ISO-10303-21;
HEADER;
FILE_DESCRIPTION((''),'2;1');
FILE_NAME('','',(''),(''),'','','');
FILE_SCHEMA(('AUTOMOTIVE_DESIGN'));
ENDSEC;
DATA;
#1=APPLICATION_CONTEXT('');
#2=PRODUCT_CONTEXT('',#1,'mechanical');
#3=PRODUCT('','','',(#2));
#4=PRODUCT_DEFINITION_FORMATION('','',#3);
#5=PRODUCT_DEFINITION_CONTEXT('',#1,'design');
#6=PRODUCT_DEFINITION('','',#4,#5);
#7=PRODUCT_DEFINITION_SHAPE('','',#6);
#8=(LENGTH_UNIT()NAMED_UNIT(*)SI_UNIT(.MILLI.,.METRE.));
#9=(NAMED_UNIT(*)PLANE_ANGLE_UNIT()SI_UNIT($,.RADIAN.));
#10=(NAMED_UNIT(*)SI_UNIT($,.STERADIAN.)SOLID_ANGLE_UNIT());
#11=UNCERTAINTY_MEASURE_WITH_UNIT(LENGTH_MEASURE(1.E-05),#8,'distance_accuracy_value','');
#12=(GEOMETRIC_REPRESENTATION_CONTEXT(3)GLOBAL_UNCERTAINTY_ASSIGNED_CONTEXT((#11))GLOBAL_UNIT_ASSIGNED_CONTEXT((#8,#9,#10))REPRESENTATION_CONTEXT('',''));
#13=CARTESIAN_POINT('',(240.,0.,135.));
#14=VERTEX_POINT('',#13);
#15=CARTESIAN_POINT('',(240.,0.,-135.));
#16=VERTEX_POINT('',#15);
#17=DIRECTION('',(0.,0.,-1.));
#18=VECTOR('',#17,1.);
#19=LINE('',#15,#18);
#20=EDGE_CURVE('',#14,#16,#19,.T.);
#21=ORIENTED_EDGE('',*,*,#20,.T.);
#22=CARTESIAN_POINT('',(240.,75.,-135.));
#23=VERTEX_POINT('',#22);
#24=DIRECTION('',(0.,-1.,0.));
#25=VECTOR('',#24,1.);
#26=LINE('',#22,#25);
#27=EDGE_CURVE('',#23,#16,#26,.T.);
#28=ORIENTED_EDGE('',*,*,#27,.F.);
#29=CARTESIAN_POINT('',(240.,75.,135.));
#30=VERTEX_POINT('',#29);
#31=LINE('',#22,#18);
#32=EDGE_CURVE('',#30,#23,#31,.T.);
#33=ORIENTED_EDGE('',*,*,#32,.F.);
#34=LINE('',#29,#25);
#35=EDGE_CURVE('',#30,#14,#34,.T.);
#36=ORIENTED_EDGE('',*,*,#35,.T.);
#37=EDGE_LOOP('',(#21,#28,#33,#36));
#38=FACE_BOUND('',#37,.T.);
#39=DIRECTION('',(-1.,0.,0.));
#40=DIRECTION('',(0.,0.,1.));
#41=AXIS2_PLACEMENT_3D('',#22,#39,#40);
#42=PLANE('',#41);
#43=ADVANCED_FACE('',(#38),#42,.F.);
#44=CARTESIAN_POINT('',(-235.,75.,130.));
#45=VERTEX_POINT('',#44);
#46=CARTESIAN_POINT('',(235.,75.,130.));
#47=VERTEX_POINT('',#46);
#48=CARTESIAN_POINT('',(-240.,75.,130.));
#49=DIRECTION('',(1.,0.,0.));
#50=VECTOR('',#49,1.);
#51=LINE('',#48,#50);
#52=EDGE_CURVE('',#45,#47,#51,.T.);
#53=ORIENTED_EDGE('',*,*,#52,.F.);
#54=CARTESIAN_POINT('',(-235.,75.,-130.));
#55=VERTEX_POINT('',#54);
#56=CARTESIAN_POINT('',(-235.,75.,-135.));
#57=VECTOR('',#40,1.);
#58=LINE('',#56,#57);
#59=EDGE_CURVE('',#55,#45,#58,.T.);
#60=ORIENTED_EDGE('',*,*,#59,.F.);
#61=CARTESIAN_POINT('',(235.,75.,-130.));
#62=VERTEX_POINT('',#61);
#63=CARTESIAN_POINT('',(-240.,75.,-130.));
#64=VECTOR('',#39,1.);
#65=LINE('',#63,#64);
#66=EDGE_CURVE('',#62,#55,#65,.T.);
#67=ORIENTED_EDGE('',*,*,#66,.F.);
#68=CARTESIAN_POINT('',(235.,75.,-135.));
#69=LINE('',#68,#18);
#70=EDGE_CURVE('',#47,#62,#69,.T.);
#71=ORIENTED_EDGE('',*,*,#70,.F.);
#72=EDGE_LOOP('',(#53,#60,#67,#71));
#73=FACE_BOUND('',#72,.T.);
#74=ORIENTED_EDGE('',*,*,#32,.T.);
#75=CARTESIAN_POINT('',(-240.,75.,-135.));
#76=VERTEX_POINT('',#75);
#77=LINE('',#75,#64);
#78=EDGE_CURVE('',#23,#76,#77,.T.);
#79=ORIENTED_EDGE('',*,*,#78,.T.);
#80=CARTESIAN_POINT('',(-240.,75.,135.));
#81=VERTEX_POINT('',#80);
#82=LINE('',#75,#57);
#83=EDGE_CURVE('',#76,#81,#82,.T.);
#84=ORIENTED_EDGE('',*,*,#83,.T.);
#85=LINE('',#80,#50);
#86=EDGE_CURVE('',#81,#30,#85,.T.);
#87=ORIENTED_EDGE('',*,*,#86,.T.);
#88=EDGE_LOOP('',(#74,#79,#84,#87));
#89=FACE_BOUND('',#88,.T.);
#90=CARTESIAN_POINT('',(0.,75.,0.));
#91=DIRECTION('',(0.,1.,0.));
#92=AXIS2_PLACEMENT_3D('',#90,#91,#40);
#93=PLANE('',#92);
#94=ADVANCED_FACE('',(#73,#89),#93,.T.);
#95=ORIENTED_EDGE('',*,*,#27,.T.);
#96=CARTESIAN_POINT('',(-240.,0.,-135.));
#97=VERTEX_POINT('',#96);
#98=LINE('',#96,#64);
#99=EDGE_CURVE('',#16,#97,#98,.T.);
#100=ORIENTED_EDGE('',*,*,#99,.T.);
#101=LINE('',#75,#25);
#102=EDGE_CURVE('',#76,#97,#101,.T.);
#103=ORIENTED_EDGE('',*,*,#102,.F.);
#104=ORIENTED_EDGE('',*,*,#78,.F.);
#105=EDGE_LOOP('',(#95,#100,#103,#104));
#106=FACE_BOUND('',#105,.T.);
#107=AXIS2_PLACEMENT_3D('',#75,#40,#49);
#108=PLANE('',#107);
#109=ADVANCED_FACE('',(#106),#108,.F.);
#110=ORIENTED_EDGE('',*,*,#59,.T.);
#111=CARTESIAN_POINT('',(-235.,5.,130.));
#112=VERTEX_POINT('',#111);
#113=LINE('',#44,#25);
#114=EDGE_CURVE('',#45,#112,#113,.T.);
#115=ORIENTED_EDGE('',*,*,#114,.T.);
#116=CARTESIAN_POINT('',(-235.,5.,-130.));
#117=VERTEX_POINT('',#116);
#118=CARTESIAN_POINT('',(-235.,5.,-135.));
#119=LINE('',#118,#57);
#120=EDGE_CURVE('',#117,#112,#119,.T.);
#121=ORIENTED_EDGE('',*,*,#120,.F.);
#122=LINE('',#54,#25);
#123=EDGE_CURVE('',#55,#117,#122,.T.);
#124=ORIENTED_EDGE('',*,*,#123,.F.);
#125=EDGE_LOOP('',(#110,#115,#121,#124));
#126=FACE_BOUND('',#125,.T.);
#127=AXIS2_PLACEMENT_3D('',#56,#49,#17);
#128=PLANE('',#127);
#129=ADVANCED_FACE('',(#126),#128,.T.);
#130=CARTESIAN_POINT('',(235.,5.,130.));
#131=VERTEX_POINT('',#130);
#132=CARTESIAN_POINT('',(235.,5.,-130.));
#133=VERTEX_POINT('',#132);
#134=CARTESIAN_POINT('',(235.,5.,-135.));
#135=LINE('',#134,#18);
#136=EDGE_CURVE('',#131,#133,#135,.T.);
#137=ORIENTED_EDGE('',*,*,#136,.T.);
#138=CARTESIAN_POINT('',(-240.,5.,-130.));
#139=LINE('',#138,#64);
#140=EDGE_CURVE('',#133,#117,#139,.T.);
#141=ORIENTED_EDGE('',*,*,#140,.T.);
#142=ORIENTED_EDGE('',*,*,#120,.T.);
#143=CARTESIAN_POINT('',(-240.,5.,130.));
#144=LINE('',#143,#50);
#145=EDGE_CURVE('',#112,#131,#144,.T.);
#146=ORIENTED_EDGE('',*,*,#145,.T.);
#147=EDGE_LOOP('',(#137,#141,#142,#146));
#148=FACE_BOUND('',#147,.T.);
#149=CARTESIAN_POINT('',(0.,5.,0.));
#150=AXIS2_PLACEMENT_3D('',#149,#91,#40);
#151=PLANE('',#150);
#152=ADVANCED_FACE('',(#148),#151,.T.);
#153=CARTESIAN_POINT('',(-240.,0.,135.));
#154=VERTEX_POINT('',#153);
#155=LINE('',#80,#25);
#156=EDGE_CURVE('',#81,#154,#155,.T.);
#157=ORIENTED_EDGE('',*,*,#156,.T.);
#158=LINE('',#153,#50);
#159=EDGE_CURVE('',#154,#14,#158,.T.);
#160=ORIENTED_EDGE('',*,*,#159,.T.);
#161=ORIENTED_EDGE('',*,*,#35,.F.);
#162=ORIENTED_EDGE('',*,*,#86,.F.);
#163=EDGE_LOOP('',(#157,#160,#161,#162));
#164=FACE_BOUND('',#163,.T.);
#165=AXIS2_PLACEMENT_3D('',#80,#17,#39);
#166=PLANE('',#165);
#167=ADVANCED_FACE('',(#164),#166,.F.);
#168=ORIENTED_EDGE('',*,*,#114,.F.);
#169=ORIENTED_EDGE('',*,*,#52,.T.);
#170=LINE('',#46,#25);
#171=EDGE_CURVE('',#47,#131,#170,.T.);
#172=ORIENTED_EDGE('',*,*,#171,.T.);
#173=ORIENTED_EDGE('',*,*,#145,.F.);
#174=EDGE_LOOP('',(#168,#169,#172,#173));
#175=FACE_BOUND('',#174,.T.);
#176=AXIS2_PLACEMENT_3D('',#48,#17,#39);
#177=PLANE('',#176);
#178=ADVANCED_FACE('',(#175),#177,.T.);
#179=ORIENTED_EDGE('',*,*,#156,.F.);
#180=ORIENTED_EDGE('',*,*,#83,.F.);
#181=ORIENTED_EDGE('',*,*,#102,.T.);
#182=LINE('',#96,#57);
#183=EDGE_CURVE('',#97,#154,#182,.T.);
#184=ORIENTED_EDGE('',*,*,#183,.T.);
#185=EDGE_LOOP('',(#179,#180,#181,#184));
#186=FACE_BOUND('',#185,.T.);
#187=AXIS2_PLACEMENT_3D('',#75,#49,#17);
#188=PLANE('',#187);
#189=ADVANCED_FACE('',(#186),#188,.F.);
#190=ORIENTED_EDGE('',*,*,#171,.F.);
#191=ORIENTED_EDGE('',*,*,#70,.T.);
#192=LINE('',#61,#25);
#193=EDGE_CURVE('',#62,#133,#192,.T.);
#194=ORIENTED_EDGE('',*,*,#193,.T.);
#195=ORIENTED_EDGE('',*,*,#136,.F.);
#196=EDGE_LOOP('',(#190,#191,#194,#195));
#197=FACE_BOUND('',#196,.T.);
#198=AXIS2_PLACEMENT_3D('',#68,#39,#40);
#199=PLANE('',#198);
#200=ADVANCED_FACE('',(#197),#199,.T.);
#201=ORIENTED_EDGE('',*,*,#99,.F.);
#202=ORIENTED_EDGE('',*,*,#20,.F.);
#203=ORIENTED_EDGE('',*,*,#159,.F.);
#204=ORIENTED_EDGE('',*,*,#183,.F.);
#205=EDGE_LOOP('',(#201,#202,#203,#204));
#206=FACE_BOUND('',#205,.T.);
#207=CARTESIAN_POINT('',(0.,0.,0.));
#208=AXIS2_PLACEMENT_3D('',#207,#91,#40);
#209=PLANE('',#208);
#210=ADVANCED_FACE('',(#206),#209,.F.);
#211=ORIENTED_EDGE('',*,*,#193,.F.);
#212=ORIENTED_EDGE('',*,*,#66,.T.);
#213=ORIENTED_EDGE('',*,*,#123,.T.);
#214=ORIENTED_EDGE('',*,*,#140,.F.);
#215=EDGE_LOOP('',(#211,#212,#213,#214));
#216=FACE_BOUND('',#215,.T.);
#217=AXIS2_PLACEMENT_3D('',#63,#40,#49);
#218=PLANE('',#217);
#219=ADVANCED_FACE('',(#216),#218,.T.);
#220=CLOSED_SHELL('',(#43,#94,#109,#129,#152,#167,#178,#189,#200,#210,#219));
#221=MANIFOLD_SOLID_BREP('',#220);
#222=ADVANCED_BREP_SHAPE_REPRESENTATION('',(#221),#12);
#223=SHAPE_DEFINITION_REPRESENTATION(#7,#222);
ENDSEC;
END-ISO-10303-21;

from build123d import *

# Parameters (mm, degrees)
SKETCH_1_W      = 480
SKETCH_1_H      = 270
EXTRUDE_1_DEPTH = 75
SHELL_1_T       = -5


with BuildPart() as part:
    # ｽｹｯﾁ1 → ﾎﾞｽ - 押し出し1 (new body)
    with BuildSketch(Plane(origin=(0, 0, 0), x_dir=(1, 0, 0), z_dir=(0, 1, 0))):
        Rectangle(SKETCH_1_W, SKETCH_1_H)
    extrude(amount=EXTRUDE_1_DEPTH)

    # ｼｪﾙ1
    shell_1_openings = [part.faces().sort_by_distance(p)[0] for p in [
        (0, 75, 0),
    ]]
    offset(amount=SHELL_1_T, openings=shell_1_openings, kind=Kind.INTERSECTION)


solid = part.part
